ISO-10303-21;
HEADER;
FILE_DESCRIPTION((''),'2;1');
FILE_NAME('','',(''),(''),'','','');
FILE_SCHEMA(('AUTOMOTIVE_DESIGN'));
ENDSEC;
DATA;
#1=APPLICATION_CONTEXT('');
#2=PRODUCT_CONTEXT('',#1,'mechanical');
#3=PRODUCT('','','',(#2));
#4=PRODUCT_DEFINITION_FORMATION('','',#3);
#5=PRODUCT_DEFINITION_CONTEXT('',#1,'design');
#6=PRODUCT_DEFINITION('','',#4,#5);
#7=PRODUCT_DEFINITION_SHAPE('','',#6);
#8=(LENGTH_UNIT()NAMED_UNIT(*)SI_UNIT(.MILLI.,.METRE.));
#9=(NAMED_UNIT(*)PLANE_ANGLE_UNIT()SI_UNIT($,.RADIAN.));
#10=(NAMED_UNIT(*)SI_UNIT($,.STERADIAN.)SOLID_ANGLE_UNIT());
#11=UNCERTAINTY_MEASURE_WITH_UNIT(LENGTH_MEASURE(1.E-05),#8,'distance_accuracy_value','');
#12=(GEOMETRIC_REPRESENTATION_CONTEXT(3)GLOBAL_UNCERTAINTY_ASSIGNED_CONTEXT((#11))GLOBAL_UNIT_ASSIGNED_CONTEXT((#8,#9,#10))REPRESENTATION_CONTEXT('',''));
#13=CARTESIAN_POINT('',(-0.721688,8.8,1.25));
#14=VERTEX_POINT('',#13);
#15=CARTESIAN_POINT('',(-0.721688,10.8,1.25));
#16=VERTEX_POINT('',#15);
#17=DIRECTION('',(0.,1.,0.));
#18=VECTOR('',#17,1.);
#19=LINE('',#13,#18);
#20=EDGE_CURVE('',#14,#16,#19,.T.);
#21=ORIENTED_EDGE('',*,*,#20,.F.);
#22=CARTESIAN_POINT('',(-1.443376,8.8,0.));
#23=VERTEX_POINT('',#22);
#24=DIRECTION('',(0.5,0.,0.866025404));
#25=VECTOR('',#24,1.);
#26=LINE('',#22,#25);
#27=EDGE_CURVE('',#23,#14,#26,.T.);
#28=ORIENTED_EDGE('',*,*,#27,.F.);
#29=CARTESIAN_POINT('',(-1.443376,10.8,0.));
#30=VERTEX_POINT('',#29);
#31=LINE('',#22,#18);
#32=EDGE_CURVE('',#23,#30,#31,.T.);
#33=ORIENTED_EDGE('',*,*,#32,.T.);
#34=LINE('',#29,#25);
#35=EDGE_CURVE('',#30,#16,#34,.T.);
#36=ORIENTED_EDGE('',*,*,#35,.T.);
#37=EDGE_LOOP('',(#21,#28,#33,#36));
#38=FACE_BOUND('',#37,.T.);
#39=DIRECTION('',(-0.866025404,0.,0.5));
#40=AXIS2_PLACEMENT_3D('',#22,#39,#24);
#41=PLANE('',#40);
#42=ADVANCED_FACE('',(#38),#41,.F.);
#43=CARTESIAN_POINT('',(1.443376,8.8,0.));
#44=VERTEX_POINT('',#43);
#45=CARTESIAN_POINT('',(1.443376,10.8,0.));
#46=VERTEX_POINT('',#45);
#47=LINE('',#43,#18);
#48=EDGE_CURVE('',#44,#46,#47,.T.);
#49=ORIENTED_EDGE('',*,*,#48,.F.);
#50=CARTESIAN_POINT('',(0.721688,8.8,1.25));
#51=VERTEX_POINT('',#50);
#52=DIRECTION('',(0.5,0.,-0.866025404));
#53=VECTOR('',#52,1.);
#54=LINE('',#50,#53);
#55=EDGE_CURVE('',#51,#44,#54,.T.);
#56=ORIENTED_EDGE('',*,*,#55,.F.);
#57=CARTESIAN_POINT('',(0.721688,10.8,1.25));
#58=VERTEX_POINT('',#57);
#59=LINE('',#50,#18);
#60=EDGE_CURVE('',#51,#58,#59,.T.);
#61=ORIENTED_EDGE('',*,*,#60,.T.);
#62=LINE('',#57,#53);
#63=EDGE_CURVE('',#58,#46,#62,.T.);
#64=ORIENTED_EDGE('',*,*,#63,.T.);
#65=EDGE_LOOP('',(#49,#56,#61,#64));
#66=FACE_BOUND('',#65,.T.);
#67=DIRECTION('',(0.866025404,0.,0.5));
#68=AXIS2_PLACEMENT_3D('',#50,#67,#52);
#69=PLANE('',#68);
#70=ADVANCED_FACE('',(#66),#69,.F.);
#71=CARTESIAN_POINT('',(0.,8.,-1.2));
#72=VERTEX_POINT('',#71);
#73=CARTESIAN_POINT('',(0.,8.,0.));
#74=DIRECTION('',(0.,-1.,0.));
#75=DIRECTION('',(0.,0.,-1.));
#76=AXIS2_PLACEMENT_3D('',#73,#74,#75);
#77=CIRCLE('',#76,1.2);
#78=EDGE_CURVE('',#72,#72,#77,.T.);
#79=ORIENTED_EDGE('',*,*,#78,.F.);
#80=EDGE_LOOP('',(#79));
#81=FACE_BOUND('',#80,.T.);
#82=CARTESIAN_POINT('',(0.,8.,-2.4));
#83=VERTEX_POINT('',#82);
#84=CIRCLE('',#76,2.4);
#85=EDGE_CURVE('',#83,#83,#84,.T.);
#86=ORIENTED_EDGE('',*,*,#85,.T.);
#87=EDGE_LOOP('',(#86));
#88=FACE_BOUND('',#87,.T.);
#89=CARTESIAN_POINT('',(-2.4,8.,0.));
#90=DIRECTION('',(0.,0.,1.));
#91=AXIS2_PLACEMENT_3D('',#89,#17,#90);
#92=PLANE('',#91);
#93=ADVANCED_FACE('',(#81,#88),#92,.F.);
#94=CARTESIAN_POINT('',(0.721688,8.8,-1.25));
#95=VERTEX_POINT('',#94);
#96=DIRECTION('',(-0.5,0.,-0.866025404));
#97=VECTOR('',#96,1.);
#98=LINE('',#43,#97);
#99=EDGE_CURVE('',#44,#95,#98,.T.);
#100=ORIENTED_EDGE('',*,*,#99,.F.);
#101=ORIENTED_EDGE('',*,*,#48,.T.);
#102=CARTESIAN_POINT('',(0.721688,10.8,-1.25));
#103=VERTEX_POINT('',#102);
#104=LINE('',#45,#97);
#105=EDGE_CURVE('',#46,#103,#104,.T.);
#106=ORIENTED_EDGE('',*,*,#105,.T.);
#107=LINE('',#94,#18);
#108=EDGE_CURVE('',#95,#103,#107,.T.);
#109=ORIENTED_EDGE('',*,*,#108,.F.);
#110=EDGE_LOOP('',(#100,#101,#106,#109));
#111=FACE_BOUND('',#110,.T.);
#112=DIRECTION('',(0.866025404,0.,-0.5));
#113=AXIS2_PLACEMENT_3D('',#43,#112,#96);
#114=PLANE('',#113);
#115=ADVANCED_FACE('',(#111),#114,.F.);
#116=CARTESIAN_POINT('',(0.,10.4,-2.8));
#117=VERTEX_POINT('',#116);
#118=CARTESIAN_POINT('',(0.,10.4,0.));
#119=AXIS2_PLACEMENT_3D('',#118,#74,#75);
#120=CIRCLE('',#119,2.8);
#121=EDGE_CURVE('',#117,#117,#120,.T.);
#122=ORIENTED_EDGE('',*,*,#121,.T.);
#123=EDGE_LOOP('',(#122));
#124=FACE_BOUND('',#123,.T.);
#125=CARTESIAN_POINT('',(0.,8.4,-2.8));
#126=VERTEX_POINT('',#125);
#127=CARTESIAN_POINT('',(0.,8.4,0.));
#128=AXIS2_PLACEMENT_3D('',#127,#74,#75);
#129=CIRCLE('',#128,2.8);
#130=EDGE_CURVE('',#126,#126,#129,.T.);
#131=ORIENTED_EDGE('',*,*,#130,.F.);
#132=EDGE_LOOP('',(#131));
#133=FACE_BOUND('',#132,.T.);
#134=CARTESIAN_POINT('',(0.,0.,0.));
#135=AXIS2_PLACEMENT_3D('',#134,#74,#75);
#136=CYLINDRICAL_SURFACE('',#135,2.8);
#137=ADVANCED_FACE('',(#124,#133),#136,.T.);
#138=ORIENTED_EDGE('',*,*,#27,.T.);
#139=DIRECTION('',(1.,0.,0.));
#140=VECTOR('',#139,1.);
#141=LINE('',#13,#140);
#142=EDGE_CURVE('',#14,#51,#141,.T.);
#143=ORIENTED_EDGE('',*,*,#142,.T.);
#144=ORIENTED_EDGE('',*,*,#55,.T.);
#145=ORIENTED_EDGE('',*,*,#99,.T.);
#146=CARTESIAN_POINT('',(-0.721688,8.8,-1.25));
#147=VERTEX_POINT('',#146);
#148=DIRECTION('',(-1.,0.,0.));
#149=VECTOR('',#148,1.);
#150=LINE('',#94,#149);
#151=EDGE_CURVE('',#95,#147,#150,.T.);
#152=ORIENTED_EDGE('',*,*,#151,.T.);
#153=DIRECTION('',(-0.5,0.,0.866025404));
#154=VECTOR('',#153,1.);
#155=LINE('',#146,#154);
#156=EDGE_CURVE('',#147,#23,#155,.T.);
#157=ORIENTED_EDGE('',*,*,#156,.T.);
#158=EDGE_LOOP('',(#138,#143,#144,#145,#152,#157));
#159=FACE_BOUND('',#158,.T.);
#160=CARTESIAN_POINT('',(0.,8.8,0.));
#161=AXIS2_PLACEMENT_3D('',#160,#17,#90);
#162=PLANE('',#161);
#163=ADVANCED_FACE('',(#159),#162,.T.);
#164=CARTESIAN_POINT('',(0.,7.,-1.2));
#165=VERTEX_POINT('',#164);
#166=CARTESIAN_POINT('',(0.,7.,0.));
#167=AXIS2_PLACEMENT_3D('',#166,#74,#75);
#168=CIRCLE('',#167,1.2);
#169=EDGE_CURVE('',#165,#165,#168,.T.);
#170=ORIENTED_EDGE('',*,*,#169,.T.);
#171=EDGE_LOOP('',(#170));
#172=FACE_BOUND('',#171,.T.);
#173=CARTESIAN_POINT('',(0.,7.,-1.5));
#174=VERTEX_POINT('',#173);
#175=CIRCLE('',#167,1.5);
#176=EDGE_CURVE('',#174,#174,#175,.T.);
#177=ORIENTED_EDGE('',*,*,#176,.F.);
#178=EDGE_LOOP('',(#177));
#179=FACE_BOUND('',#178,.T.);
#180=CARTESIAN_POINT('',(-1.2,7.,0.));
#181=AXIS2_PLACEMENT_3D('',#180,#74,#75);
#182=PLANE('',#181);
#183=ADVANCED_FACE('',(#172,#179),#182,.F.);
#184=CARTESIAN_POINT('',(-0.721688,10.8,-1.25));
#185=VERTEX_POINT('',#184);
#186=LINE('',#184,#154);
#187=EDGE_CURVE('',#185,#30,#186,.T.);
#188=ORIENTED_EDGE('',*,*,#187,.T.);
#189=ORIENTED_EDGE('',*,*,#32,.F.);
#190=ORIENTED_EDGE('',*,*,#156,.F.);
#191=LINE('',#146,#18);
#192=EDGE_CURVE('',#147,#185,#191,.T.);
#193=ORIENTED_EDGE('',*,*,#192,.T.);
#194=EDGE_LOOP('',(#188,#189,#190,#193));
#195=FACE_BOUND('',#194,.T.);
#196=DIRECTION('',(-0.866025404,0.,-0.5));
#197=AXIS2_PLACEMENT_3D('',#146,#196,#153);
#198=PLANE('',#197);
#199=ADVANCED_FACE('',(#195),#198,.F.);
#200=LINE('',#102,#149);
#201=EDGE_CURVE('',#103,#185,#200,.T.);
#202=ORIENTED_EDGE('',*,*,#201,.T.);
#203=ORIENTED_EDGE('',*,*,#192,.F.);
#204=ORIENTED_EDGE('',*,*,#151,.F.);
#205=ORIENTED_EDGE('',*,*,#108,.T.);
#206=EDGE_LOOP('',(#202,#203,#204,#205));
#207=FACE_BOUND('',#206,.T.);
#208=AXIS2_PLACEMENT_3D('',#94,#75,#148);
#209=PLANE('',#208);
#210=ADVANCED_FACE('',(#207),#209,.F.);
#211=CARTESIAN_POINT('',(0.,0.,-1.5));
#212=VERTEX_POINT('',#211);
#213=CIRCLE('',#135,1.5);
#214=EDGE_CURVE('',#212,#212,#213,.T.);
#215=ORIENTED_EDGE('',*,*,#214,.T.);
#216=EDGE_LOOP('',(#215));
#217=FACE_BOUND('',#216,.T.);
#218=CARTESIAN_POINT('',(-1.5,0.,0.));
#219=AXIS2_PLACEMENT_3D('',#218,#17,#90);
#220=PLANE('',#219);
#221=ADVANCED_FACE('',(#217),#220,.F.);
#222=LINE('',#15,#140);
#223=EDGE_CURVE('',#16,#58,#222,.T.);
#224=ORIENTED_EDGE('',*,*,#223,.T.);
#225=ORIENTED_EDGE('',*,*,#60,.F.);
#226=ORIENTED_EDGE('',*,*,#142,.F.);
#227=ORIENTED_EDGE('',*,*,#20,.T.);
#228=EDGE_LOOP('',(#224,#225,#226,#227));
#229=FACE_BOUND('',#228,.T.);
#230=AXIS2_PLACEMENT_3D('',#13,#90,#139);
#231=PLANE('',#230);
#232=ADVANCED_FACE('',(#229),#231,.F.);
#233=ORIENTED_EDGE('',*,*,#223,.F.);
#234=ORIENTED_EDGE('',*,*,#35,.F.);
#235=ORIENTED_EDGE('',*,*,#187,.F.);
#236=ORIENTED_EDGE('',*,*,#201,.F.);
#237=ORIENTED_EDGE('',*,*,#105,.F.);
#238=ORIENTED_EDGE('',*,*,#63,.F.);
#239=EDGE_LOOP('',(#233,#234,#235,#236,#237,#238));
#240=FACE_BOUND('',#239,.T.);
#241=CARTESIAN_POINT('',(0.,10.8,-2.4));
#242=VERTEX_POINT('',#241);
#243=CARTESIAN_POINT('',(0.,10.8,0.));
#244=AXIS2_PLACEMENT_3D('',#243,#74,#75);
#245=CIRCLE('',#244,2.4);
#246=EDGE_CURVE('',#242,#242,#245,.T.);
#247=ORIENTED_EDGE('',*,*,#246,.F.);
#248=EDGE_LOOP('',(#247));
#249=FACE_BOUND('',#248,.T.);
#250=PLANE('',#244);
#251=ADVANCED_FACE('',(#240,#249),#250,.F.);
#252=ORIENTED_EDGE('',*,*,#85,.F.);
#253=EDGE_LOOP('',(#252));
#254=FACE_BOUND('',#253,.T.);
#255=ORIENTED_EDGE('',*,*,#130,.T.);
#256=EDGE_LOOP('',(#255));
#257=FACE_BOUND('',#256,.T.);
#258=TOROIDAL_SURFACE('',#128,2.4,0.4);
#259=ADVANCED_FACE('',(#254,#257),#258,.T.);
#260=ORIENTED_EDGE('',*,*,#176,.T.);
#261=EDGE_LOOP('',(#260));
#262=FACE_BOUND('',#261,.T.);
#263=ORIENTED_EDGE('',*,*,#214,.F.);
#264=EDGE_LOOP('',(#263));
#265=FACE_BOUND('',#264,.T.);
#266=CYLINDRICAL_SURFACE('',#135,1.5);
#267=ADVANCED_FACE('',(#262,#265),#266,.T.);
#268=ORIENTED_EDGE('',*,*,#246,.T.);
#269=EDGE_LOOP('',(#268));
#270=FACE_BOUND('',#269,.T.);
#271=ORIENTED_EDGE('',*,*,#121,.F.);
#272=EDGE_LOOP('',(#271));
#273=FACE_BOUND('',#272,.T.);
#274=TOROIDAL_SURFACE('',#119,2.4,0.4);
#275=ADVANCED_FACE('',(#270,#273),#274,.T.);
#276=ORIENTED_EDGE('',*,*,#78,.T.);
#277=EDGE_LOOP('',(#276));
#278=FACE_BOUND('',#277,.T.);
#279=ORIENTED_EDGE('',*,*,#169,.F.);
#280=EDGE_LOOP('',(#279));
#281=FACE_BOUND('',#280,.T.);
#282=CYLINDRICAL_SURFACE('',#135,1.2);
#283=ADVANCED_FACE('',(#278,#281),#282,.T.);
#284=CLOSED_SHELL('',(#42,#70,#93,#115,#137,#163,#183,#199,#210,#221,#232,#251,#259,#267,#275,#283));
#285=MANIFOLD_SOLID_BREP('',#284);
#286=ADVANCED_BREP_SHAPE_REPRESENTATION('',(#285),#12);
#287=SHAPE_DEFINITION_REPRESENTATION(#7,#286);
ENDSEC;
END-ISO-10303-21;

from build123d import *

# Parameters (mm, degrees)
CUT_EXTRUDE_1_DEPTH = 2


with BuildPart() as part:
    # 草图1 → 旋转1 (revolve)
    with BuildSketch(Plane.XY):
        with BuildLine():
            Line((0, 10.8), (-2.4, 10.8))
            ThreePointArc((-2.4, 10.8), (-2.682842712, 10.682842712), (-2.8, 10.4))
            Line((-2.8, 10.4), (-2.8, 8.4))
            ThreePointArc((-2.8, 8.4), (-2.682842712, 8.117157288), (-2.4, 8))
            Line((-2.4, 8), (-1.2, 8))
            Line((-1.2, 8), (-1.2, 7))
            Line((-1.2, 7), (-1.5, 7))
            Line((-1.5, 7), (-1.5, 0))
            Line((-1.5, 0), (0, 0))
            Line((0, 0), (0, 10.8))
        make_face()
    revolve(axis=Axis((0, 0, 0), (0, 1, 0)))

    # 草图2 → 切除-拉伸1 (cut)
    with BuildSketch(Plane(origin=(0, 10.8, 0), x_dir=(1, 0, 0), z_dir=(0, 1, 0))):
        Polygon((-0.721687836, 1.25), (-1.443375673, 0), (-0.721687836, -1.25), (0.721687836, -1.25), (1.443375673, 0), (0.721687836, 1.25), align=None)
    extrude(amount=-CUT_EXTRUDE_1_DEPTH, mode=Mode.SUBTRACT)


solid = part.part
